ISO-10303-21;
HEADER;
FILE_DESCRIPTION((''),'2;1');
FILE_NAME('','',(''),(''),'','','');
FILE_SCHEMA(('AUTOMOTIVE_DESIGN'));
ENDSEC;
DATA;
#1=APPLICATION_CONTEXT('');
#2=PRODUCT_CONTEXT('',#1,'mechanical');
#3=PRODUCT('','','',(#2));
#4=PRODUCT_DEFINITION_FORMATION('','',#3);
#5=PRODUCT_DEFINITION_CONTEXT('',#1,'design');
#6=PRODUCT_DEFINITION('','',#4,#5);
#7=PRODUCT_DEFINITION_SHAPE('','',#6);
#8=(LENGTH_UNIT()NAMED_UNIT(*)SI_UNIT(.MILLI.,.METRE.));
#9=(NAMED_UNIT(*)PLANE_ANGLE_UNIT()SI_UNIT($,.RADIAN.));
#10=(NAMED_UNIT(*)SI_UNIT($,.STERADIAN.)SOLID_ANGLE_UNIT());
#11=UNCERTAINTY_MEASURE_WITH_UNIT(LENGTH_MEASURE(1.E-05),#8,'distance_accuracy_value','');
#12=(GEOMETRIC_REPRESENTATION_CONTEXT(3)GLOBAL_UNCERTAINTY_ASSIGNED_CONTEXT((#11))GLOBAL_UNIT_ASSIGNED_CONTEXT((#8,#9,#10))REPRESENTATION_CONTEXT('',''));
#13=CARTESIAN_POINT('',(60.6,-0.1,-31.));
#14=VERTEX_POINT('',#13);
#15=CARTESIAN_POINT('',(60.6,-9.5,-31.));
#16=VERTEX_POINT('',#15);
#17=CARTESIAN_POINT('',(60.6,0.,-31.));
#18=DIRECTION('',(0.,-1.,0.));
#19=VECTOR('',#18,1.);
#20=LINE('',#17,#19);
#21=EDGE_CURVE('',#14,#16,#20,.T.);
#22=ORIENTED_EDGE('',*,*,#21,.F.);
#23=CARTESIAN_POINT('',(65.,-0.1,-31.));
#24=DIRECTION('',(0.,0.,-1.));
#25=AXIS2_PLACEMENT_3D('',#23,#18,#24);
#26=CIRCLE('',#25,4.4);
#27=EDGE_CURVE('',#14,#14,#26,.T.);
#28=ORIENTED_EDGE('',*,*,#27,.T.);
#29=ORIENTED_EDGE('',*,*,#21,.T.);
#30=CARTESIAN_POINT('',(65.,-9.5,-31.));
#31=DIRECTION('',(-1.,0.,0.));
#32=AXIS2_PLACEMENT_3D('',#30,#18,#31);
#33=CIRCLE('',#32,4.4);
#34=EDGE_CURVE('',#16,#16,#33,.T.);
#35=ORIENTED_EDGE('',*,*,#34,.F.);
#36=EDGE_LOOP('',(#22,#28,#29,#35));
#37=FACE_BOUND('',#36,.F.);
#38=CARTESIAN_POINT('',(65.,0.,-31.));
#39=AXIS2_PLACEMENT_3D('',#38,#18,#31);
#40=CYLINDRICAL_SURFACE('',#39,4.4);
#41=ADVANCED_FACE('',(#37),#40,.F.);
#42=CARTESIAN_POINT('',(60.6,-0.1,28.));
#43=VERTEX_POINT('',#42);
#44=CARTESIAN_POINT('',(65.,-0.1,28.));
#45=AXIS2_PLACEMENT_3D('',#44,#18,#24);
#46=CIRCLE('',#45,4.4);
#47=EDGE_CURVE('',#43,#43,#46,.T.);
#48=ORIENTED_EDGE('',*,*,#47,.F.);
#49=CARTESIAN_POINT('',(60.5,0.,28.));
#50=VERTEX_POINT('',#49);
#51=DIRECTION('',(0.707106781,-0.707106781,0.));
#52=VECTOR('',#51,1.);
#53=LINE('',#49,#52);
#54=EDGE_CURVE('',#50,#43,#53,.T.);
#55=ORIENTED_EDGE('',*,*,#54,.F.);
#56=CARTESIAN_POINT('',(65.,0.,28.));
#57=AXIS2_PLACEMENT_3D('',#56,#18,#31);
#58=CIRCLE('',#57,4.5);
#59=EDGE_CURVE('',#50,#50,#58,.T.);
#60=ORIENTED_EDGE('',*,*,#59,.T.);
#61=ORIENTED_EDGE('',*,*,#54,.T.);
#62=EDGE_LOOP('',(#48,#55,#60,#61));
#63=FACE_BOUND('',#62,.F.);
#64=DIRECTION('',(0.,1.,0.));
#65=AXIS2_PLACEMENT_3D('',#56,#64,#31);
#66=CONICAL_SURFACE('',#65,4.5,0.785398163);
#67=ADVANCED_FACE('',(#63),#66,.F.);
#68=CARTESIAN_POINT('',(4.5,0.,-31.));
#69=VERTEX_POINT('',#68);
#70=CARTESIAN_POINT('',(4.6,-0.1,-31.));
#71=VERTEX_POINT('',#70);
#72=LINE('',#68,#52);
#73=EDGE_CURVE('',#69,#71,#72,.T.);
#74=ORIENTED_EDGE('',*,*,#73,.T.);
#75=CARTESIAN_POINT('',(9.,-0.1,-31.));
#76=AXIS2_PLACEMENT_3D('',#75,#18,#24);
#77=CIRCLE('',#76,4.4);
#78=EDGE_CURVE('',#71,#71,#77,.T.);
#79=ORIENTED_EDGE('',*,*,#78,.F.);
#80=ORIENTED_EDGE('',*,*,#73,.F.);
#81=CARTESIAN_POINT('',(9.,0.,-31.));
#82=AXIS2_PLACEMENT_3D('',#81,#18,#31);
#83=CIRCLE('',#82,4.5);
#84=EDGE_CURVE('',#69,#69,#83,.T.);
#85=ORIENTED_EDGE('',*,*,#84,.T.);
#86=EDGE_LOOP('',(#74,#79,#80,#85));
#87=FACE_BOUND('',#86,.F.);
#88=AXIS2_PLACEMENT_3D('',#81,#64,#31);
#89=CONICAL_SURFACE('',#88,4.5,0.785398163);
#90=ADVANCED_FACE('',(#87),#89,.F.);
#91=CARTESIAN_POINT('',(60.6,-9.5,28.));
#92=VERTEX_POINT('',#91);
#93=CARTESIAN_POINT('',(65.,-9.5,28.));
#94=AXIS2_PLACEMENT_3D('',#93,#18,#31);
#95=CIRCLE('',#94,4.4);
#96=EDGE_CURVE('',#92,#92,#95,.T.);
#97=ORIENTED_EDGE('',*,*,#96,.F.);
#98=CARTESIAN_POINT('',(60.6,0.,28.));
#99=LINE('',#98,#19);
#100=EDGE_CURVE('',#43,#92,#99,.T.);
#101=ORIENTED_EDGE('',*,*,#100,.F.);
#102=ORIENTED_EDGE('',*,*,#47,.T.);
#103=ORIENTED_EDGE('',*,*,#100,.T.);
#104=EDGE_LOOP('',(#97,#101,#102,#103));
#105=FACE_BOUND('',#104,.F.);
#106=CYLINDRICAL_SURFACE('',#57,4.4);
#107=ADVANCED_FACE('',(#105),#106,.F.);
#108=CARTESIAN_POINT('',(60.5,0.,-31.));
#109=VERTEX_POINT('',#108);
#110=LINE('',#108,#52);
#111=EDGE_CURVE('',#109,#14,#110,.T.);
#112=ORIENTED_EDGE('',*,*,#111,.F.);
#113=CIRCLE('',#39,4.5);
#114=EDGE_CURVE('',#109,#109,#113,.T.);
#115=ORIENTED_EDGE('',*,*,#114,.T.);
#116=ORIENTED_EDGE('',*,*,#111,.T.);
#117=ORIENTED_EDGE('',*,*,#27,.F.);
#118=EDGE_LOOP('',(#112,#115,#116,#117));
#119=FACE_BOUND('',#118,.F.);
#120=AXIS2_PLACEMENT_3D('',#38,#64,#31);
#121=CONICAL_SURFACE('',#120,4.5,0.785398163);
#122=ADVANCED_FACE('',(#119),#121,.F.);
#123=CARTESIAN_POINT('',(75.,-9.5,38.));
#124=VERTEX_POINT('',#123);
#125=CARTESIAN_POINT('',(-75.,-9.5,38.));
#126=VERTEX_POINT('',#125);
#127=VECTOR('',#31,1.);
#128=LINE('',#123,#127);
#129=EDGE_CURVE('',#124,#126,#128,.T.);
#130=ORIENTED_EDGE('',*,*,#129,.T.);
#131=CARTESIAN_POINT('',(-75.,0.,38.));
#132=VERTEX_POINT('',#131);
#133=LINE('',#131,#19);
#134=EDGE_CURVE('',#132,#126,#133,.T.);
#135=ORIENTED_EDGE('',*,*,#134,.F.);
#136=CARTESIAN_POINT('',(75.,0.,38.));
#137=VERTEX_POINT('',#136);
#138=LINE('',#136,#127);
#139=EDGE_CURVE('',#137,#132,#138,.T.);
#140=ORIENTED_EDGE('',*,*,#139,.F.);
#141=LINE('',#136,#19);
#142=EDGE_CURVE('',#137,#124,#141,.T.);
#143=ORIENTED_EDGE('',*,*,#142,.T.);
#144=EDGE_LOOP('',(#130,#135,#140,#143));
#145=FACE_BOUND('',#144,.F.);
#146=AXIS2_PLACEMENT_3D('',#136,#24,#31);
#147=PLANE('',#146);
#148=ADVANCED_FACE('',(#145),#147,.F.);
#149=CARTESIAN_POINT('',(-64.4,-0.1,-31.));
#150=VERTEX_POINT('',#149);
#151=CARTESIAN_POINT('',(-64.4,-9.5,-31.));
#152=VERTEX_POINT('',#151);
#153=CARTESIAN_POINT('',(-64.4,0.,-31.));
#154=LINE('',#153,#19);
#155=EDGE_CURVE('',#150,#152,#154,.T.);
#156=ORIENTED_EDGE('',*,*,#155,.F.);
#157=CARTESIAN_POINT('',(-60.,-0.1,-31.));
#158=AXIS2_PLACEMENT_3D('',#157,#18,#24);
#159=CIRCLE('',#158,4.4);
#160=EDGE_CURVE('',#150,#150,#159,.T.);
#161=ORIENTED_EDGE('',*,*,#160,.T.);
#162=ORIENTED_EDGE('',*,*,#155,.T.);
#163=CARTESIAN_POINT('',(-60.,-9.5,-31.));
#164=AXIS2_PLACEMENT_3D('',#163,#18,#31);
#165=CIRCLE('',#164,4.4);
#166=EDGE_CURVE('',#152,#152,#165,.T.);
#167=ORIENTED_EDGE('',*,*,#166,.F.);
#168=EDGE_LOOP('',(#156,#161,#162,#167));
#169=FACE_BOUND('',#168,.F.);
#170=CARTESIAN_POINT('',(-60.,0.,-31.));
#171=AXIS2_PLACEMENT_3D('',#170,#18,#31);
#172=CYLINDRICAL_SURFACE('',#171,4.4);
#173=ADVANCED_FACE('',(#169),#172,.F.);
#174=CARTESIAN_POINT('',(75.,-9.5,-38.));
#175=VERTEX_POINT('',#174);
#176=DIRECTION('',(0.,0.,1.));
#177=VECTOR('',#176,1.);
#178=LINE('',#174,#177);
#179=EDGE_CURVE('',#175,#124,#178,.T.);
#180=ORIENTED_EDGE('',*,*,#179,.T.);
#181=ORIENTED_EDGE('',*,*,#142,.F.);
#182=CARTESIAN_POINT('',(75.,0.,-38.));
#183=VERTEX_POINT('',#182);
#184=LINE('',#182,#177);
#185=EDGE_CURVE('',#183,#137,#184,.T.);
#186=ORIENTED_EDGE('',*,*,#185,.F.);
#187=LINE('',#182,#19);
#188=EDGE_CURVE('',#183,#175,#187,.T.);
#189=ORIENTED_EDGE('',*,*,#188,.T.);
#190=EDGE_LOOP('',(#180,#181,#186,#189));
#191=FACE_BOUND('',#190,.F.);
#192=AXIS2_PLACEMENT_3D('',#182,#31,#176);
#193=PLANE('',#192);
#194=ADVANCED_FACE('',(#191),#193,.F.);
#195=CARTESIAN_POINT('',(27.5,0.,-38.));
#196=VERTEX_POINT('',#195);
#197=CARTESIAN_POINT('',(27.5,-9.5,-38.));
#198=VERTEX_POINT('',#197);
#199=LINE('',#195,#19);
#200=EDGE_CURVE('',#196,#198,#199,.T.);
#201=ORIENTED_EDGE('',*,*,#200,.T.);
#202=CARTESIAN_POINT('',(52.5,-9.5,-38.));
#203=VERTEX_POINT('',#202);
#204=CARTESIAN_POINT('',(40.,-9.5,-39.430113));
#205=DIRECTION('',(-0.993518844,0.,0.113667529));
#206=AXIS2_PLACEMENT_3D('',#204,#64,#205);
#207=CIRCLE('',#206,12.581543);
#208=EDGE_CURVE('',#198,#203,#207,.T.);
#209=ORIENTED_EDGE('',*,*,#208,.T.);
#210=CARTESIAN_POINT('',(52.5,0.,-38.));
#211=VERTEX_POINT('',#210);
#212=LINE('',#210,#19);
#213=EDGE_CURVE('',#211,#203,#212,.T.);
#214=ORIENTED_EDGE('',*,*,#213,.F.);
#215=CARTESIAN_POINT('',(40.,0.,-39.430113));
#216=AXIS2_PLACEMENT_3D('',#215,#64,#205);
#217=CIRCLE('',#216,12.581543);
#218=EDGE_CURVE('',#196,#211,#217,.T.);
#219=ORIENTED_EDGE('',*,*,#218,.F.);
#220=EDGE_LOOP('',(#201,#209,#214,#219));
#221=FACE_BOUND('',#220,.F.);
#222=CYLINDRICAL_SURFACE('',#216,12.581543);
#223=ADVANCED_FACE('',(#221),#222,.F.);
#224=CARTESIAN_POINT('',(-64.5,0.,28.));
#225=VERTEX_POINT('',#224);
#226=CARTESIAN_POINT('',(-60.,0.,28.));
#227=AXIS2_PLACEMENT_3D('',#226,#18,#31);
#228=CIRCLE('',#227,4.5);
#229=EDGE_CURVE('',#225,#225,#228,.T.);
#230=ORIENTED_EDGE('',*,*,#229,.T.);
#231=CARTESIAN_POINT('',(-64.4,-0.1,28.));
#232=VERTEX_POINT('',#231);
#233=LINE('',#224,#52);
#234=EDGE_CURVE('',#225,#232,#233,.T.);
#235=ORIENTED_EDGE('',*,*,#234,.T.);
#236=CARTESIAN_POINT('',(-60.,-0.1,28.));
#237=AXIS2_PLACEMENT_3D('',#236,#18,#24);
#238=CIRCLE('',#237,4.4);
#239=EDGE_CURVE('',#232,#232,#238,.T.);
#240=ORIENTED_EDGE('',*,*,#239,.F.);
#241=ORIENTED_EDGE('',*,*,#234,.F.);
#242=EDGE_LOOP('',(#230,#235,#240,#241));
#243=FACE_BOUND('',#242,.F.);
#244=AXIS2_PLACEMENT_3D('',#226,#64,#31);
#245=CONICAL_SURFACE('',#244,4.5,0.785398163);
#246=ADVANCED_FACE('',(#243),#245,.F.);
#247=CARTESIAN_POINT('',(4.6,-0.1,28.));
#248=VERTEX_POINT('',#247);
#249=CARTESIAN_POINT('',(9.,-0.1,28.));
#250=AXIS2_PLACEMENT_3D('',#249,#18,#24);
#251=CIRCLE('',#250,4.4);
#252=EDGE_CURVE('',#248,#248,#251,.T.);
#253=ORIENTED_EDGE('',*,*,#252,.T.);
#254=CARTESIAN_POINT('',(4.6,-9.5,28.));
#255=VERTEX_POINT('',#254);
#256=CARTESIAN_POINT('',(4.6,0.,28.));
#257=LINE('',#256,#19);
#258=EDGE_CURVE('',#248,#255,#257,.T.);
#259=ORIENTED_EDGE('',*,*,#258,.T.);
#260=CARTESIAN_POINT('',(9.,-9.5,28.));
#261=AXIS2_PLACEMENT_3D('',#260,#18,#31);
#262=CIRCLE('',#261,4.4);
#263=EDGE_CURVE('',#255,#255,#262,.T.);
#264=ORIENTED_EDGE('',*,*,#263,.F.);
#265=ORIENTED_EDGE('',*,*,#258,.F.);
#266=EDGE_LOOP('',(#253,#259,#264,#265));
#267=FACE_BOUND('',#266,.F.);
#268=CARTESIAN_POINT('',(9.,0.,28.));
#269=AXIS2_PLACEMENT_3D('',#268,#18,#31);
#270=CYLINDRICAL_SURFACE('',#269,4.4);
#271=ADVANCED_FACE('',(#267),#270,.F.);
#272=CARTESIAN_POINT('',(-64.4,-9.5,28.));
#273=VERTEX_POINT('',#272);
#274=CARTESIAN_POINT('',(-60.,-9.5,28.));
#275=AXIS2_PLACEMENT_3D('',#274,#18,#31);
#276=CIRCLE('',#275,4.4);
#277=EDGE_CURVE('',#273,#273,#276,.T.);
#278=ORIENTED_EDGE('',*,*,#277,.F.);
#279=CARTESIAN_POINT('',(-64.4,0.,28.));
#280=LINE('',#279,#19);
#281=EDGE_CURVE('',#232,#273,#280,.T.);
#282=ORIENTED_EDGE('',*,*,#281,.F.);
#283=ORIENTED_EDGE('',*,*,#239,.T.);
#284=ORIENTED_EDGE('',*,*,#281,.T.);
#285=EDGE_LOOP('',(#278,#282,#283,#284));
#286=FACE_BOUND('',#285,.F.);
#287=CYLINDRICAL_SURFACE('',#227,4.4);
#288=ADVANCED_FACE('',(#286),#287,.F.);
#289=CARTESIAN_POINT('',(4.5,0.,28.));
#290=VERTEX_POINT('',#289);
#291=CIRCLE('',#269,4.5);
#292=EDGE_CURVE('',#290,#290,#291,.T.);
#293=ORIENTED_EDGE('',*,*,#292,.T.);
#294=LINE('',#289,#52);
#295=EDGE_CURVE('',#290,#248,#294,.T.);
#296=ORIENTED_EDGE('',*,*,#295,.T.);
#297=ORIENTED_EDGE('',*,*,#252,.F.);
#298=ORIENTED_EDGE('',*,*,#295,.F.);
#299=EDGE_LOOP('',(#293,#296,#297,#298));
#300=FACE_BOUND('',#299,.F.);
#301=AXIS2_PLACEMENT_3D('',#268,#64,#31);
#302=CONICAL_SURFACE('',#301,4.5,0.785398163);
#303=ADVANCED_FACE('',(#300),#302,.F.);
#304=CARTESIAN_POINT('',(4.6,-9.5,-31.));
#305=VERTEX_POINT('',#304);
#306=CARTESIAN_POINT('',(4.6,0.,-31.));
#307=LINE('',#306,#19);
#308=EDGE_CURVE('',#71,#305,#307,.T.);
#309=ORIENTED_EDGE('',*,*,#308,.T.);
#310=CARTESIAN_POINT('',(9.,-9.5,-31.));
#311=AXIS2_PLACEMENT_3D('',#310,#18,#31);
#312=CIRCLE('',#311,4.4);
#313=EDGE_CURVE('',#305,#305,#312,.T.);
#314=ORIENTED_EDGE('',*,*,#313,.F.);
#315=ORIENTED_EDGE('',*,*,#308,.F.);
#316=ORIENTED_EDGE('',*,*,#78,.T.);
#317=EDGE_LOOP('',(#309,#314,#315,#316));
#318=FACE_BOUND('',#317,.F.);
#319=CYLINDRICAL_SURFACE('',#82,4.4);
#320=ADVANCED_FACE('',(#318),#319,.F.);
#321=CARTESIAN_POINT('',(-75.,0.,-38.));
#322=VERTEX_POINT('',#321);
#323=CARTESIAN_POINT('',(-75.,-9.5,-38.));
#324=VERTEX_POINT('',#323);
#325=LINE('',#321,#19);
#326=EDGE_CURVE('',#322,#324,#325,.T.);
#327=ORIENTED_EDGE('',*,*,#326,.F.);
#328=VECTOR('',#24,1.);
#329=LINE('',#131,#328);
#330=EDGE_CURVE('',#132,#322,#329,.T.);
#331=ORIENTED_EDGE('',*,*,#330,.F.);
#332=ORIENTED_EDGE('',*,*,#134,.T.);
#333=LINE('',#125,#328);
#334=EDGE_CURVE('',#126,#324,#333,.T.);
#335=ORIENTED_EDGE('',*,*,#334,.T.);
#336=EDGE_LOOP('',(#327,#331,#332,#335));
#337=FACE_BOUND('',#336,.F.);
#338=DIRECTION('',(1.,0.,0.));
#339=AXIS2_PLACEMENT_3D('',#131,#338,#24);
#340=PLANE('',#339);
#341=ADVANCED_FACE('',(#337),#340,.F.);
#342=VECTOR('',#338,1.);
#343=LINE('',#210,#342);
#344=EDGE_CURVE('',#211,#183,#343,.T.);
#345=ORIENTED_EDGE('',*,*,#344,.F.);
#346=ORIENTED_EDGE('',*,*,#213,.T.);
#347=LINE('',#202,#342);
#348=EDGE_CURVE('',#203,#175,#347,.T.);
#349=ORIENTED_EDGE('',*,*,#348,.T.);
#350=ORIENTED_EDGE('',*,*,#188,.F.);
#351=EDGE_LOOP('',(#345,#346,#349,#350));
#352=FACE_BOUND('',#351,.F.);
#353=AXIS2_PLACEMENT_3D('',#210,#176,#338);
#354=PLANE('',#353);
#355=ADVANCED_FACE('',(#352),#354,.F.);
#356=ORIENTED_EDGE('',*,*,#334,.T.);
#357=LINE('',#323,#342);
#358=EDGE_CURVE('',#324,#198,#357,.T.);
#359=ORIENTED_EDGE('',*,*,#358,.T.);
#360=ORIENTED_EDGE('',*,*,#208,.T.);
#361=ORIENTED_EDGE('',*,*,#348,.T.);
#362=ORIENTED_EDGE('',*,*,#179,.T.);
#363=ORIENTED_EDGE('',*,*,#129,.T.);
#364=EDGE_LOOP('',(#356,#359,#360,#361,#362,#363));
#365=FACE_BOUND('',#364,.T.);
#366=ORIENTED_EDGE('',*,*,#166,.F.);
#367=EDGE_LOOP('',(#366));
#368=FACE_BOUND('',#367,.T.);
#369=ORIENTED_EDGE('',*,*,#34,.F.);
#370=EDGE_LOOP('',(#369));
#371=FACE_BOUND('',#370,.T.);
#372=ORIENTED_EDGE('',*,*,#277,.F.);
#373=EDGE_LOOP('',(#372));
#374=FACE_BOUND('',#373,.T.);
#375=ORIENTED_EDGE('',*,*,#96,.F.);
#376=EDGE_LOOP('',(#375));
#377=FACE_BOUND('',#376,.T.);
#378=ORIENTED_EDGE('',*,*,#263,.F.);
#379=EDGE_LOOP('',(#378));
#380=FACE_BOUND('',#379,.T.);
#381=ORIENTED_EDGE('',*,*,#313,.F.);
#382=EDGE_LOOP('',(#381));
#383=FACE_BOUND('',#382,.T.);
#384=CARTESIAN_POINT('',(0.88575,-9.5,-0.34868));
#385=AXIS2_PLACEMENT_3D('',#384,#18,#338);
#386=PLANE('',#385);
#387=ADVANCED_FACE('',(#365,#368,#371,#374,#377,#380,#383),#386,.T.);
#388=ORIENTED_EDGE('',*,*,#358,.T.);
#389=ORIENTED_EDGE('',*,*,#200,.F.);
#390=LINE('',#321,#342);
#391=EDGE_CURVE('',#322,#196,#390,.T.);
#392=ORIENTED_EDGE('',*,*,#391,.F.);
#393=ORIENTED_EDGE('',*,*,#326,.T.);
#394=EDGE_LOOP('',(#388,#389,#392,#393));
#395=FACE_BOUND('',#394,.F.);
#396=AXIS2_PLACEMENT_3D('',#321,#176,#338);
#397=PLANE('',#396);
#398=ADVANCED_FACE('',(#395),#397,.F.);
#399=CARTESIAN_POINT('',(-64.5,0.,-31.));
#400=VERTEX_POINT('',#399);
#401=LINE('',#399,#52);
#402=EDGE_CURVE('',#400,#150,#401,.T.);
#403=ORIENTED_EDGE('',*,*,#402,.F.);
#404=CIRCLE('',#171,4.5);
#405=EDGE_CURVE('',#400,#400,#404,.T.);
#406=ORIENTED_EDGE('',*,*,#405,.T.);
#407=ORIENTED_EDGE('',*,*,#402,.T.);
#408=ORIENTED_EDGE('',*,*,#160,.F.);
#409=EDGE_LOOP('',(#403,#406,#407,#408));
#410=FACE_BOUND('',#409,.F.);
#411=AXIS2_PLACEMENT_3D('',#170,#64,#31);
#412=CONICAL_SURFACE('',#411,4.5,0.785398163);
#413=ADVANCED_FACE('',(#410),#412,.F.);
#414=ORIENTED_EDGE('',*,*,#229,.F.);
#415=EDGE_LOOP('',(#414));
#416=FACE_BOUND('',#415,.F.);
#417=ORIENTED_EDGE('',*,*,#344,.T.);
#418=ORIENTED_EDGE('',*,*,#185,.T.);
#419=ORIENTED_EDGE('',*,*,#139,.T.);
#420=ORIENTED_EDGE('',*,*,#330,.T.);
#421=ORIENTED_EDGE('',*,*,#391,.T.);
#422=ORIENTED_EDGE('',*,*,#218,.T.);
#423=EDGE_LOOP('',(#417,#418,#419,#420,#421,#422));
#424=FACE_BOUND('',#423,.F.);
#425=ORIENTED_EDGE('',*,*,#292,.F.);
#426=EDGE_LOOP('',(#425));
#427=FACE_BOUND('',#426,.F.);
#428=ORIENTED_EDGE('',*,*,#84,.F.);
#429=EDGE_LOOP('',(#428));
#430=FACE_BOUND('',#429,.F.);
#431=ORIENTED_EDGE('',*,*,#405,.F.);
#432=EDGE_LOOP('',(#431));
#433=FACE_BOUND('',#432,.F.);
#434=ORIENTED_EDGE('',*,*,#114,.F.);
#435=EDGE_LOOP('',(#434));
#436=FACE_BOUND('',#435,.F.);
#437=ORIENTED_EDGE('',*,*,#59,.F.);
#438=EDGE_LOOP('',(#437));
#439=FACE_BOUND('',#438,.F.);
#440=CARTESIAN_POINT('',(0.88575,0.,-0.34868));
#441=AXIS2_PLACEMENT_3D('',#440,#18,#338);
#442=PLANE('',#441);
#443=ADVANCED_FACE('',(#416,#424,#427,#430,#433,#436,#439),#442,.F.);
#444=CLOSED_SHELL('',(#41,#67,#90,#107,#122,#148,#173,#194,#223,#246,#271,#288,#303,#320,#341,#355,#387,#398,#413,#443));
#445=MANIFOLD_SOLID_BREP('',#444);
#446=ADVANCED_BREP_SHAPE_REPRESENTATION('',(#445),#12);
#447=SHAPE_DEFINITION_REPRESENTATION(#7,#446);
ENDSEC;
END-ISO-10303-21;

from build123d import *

# Parameters (mm, degrees)
F1_DEPTH       = 9.5
F3_D           = 8.8
F3_CSINK_D     = 9
F3_CSINK_ANGLE = 90


with BuildPart() as f1:
    # F0 (on Front) → F1 (new body)
    with BuildSketch(Plane.XZ):
        with BuildLine():
            Line((52.5, -38), (75, -38))
            Line((75, -38), (75, 38))
            Line((75, 38), (-75, 38))
            Line((-75, 38), (-75, -38))
            Line((-75, -38), (27.5, -38))
            ThreePointArc((27.5, -38), (40, -26.8485699552), (52.5, -38))
        make_face()
    extrude(amount=F1_DEPTH)

    # F3 (through all)
    with Locations(Plane(origin=(0, 0, 0), x_dir=(1, 0, 0), z_dir=(0, 1, 0))):
        with Locations((-60, -28), (65, -28), (9, 31), (-60, 31), (65, 31), (9, -28)):
            CounterSinkHole(F3_D / 2, F3_CSINK_D / 2, counter_sink_angle=F3_CSINK_ANGLE)


solid = f1.part
